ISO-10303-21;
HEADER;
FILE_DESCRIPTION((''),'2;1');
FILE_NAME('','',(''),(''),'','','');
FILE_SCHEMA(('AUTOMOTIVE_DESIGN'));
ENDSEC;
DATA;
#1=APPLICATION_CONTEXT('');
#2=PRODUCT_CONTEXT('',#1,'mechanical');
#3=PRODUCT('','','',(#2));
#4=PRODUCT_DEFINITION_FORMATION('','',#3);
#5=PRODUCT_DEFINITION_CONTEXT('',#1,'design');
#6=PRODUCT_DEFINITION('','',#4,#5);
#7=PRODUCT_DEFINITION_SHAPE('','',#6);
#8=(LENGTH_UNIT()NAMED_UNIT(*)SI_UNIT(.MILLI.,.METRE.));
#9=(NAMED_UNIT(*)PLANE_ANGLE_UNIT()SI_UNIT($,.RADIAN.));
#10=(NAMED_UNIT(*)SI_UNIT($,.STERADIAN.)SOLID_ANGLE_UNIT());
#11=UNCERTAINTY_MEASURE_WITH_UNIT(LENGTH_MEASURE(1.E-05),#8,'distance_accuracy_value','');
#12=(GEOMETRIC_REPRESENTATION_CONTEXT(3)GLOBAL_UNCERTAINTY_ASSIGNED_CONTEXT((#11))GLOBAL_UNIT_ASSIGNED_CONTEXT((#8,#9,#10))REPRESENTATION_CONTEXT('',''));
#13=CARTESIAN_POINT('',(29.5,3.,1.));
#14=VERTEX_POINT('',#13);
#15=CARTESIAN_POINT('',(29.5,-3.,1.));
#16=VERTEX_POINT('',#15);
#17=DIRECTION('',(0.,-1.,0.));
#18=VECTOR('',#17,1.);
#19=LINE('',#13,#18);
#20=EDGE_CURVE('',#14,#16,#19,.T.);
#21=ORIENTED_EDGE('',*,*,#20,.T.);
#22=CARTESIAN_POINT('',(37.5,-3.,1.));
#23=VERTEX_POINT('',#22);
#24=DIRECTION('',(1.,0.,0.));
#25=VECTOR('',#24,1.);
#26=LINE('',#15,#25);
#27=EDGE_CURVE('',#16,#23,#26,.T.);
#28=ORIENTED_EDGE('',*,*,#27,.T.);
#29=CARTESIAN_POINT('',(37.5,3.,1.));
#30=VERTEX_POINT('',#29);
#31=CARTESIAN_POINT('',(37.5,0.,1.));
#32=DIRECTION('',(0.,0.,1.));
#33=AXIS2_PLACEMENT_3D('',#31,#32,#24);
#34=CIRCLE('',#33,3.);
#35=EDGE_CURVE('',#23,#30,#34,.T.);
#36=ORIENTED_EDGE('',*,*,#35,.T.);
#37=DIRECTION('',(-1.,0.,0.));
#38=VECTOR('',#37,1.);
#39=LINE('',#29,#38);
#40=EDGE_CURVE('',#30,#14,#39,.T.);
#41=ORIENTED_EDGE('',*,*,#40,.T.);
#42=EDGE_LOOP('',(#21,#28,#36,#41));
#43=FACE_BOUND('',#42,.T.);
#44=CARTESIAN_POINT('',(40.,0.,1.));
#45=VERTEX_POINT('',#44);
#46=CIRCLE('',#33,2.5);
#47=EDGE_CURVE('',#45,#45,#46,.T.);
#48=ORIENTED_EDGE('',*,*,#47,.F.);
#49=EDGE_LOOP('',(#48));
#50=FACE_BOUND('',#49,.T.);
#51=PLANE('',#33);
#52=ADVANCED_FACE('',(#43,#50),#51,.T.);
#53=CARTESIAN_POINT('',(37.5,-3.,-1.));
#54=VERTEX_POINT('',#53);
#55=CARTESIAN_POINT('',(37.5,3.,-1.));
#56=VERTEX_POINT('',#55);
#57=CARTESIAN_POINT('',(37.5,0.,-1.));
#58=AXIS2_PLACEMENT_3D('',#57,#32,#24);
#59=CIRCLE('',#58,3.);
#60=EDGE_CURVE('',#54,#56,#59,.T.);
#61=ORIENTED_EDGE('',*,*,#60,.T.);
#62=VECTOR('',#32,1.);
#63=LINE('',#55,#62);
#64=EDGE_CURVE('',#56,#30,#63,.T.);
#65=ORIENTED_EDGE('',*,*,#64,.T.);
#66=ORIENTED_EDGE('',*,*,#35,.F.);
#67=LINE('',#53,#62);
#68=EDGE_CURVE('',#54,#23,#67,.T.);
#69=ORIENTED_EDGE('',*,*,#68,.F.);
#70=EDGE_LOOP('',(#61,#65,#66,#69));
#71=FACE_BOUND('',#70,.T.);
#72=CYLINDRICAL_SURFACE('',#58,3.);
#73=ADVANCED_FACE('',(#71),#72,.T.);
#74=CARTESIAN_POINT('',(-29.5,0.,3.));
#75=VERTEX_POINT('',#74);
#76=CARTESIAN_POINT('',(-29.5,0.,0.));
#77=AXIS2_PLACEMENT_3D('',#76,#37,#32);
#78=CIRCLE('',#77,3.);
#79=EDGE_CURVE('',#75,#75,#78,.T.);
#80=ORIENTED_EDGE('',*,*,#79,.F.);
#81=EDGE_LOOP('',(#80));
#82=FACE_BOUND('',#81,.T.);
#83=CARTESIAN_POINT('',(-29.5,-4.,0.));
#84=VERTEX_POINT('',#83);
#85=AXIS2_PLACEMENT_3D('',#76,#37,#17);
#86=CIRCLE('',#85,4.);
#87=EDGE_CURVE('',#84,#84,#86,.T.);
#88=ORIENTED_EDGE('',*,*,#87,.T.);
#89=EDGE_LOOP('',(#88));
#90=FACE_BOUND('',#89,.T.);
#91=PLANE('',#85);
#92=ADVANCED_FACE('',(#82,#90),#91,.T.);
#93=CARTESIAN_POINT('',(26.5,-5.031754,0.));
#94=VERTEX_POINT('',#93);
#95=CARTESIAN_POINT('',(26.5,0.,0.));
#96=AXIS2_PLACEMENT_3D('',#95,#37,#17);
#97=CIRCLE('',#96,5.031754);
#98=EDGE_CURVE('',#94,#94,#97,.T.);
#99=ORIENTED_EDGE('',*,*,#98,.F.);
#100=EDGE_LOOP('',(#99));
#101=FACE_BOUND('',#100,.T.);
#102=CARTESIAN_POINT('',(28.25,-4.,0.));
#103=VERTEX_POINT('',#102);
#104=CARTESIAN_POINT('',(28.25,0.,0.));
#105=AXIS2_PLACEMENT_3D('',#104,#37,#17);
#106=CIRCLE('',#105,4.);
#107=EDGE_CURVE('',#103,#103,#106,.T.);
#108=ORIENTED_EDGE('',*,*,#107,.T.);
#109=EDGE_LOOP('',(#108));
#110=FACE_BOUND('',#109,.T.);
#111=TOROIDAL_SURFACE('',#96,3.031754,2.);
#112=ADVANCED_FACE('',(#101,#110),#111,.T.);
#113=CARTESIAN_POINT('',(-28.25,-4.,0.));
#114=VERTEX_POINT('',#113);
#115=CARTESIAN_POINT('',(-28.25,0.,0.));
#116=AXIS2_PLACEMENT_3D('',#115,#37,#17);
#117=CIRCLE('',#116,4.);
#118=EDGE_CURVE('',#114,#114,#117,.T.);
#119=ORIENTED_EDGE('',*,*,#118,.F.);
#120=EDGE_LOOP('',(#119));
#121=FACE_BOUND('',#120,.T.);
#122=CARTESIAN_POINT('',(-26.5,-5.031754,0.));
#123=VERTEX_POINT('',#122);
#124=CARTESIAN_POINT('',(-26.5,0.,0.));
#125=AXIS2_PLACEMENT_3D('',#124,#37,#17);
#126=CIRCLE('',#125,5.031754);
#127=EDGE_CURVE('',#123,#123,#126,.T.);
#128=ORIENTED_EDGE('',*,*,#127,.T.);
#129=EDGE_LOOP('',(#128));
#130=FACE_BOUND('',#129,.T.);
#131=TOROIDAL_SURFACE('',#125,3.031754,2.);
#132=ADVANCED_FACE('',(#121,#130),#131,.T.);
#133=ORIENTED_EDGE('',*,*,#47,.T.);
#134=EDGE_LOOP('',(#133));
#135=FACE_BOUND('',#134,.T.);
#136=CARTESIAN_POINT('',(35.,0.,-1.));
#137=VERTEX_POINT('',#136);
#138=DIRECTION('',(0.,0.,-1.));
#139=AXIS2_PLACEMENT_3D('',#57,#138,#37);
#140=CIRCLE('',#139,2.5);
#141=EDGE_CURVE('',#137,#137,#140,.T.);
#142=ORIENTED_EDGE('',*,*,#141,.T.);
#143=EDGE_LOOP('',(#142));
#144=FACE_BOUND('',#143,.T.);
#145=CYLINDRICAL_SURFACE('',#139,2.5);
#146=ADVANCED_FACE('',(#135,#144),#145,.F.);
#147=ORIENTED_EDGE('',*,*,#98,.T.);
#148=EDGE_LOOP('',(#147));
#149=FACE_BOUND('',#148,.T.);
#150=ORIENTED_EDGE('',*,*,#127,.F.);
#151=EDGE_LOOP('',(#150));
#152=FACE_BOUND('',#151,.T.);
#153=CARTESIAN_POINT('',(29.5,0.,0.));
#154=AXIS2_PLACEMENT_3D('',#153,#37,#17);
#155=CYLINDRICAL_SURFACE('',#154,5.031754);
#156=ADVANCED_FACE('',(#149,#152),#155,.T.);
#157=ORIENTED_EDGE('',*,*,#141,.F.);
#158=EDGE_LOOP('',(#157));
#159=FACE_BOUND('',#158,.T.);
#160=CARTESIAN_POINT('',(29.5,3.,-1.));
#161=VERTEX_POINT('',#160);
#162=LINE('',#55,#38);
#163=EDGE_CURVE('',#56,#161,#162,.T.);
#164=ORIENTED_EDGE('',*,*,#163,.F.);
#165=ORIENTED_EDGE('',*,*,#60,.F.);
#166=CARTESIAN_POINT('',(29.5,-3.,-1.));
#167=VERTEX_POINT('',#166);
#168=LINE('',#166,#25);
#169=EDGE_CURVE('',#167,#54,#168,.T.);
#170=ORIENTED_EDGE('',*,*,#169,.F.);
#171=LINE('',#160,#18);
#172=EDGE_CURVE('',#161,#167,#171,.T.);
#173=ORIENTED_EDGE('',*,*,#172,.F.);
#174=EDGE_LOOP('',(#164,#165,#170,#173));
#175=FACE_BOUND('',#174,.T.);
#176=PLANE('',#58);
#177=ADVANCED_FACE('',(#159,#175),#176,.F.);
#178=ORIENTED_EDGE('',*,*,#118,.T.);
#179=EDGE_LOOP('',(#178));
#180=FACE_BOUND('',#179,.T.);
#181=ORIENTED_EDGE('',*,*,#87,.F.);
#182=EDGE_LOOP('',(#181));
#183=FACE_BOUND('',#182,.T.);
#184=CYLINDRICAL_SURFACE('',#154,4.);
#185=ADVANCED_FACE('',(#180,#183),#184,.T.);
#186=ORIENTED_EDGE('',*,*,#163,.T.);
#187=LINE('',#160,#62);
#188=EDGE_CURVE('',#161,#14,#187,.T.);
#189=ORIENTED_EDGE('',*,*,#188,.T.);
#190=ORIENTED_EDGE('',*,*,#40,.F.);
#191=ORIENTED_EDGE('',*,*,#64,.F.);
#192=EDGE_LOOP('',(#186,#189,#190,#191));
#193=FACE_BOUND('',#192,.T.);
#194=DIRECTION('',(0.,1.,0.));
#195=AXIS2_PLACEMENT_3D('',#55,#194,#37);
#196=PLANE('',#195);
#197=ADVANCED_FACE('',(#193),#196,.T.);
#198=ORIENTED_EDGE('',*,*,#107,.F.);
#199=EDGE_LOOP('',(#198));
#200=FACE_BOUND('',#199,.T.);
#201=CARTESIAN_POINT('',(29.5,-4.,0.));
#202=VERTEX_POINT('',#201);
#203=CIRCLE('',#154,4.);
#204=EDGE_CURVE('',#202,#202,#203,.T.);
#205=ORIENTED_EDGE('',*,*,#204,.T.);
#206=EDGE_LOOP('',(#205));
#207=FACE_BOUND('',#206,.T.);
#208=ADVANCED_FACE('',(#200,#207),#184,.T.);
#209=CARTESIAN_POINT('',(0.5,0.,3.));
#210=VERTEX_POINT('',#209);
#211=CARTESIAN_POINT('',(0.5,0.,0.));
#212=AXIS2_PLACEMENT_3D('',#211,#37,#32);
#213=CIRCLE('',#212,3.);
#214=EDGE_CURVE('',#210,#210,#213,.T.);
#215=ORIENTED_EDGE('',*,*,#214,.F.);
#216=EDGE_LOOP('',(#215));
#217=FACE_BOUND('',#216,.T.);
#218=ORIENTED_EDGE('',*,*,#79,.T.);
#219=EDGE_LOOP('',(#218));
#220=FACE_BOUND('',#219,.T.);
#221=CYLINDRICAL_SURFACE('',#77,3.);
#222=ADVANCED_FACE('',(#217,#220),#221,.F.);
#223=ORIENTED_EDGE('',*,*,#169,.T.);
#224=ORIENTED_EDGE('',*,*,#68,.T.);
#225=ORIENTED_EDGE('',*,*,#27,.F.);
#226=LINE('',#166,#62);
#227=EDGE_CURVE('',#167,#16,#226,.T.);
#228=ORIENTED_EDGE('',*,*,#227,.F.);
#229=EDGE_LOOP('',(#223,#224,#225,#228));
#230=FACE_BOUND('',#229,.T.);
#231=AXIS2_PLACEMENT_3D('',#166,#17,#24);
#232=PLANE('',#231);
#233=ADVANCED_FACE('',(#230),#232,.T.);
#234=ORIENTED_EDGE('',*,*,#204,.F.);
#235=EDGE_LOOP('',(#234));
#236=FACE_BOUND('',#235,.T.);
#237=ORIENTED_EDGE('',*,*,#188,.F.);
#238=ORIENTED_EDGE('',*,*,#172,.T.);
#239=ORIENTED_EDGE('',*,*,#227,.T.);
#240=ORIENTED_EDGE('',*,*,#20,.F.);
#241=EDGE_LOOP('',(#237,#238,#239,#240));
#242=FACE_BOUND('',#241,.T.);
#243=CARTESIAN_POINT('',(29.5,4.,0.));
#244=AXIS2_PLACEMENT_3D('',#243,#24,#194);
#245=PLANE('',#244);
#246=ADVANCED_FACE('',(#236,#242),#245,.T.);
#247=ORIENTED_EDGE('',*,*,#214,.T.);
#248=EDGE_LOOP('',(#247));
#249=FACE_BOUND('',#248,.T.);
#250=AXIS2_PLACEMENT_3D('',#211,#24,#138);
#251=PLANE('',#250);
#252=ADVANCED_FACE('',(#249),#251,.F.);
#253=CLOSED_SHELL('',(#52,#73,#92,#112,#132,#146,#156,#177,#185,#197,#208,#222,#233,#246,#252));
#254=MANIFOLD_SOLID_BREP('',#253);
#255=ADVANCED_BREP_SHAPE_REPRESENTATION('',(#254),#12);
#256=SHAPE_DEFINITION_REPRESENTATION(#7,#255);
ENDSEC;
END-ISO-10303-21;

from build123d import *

# Parameters (mm, degrees)
BOSS_EXTRUDE1_DEPTH          = 2
F_6_0_6_DIAMETER_HOLE1_D     = 6
F_6_0_6_DIAMETER_HOLE1_DEPTH = 30
F_5_0_5_DIAMETER_HOLE1_D     = 5
F_5_0_5_DIAMETER_HOLE1_DEPTH = 6.031754163


with BuildPart() as part:
    # Sketch1 → Revolve1 (revolve)
    with BuildSketch(Plane(origin=(0, 0, 0), x_dir=(-1, 0, 0), z_dir=(0, 0, -1))):
        with BuildLine():
            Line((-29.5, 4), (-29.5, 0))
            Line((-29.5, 0), (29.5, 0))
            Line((29.5, 0), (29.5, 4))
            Line((29.5, 4), (28.25, 4))
            ThreePointArc((28.25, 4), (27.515753003, 4.754613948), (26.5, 5.031754163))
            Line((26.5, 5.031754163), (-26.5, 5.031754163))
            ThreePointArc((-26.5, 5.031754163), (-27.515753003, 4.754613948), (-28.25, 4))
            Line((-28.25, 4), (-29.5, 4))
        make_face()
    revolve(axis=Axis((29.5, 0, 0), (-1, 0, 0)))

    # Sketch2 → Boss-Extrude1 (add)
    with BuildSketch(Plane.XY.offset(1)):
        with BuildLine():
            Line((37.5, 3), (29.5, 3))
            Line((29.5, 3), (29.5, -3))
            Line((29.5, -3), (37.5, -3))
            ThreePointArc((37.5, -3), (40.5, 0), (37.5, 3))
        make_face()
    extrude(amount=-BOSS_EXTRUDE1_DEPTH)

    # Ø6.0 (6) Diameter Hole1
    with Locations(Plane.ZY.offset(29.5)):
        with Locations((0, 0)):
            Hole(F_6_0_6_DIAMETER_HOLE1_D / 2, depth=F_6_0_6_DIAMETER_HOLE1_DEPTH)

    # Ø5.0 (5) Diameter Hole1
    with Locations(Plane(origin=(0, 0, -1), x_dir=(-1, 0, 0), z_dir=(0, 0, -1))):
        with Locations((-37.5, 0)):
            Hole(F_5_0_5_DIAMETER_HOLE1_D / 2, depth=F_5_0_5_DIAMETER_HOLE1_DEPTH)


solid = part.part
